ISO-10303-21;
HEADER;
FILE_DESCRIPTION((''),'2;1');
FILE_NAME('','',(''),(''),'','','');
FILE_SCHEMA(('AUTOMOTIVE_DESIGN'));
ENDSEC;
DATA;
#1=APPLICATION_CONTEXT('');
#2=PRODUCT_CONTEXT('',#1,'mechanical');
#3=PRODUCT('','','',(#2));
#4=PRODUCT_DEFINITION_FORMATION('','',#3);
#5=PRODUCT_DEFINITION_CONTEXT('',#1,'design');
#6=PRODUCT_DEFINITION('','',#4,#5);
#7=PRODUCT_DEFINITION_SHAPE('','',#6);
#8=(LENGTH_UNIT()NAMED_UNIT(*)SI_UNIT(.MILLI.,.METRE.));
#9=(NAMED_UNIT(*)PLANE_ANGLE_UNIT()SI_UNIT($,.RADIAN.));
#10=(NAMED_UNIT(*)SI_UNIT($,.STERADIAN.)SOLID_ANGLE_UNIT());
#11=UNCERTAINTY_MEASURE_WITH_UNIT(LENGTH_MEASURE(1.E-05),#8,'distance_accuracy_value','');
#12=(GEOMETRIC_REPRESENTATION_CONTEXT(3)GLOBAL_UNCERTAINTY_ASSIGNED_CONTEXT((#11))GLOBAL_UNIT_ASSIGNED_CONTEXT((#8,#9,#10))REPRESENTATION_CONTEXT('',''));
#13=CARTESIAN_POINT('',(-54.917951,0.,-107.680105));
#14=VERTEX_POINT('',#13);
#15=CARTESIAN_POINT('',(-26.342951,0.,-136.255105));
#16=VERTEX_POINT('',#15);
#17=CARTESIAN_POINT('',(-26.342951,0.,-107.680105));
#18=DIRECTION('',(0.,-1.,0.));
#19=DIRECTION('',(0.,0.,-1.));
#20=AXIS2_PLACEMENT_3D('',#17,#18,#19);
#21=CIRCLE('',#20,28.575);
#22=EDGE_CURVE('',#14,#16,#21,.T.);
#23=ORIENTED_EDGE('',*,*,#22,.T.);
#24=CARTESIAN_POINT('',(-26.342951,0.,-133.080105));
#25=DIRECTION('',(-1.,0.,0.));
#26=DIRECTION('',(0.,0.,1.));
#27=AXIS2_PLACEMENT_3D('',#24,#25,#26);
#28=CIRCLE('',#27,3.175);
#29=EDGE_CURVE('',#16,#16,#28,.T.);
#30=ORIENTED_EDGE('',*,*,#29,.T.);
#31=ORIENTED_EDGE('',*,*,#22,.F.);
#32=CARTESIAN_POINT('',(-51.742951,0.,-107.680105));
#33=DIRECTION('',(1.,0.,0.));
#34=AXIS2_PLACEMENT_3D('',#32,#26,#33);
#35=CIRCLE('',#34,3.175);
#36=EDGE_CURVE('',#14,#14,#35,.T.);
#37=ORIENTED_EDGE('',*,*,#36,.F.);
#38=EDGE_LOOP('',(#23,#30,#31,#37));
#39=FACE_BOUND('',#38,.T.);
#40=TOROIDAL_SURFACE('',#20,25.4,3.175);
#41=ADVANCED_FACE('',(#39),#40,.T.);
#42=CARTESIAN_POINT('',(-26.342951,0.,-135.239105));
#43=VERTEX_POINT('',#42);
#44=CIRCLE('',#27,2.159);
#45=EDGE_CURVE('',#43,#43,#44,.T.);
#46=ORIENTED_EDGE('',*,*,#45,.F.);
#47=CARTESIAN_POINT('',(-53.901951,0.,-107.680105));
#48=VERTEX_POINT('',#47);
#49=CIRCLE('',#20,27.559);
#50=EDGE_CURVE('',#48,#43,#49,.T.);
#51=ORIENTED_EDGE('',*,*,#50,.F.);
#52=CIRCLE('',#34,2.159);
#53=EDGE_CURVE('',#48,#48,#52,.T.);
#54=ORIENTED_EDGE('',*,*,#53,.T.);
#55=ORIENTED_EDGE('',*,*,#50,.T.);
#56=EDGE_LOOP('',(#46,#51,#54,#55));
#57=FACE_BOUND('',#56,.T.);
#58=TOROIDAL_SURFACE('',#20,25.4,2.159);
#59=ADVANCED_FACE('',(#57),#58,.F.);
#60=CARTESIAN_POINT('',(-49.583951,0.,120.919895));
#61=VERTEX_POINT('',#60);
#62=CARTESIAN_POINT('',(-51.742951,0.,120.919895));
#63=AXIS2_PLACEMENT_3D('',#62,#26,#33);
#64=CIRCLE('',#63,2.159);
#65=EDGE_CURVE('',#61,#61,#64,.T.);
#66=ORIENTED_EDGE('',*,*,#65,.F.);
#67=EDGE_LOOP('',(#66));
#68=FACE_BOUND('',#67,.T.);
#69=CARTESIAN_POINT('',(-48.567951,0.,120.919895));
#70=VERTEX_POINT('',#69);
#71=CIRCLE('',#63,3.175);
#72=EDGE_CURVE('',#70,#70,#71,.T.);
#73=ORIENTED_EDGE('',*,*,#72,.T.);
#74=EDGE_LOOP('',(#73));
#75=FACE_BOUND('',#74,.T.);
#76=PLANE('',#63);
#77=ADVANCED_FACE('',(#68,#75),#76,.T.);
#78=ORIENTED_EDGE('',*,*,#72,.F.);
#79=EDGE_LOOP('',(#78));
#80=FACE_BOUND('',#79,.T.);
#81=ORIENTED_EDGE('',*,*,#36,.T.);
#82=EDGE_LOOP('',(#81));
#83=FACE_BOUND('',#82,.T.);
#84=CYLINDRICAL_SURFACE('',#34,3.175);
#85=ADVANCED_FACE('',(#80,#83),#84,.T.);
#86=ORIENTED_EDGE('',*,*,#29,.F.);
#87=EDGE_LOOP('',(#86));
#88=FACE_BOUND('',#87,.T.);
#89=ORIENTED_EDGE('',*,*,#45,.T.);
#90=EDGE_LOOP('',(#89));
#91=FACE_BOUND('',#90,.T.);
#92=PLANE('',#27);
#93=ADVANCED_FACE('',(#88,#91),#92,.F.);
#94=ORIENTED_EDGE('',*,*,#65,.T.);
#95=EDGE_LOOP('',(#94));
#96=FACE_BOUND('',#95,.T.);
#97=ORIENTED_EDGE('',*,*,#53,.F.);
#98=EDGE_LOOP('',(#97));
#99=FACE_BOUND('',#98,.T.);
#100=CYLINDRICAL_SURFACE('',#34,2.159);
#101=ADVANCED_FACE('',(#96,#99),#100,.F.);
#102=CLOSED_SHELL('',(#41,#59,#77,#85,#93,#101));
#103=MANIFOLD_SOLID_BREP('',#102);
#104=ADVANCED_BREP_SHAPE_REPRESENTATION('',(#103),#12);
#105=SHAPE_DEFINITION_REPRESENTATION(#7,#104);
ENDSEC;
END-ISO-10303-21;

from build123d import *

# Parameters (mm, degrees)
SKETCH4_R   = 3.175
SKETCH4_R_2 = 2.159


with BuildPart() as part:
    # Sweep1: sweep along a path in Sketch1
    with BuildLine(Plane(origin=(0, 0, 0), x_dir=(1, 0, 0), z_dir=(0, 1, 0))) as sweep1_path:
        Line((-51.742950545, -120.91989474), (-51.742950545, 107.68010526))
        ThreePointArc((-51.742950545, 107.68010526), (-44.303462787, 125.640617502), (-26.342950545, 133.08010526))
    # Sketch4 → Sweep1 (sweep)
    with BuildSketch(Plane(origin=(-51.742950545, 0, 120.91989474), x_dir=(1, 0, 0), z_dir=(0, 0, 1))):
        Circle(SKETCH4_R)
        Circle(SKETCH4_R_2, mode=Mode.SUBTRACT)
    sweep(path=sweep1_path.line)


solid = part.part
